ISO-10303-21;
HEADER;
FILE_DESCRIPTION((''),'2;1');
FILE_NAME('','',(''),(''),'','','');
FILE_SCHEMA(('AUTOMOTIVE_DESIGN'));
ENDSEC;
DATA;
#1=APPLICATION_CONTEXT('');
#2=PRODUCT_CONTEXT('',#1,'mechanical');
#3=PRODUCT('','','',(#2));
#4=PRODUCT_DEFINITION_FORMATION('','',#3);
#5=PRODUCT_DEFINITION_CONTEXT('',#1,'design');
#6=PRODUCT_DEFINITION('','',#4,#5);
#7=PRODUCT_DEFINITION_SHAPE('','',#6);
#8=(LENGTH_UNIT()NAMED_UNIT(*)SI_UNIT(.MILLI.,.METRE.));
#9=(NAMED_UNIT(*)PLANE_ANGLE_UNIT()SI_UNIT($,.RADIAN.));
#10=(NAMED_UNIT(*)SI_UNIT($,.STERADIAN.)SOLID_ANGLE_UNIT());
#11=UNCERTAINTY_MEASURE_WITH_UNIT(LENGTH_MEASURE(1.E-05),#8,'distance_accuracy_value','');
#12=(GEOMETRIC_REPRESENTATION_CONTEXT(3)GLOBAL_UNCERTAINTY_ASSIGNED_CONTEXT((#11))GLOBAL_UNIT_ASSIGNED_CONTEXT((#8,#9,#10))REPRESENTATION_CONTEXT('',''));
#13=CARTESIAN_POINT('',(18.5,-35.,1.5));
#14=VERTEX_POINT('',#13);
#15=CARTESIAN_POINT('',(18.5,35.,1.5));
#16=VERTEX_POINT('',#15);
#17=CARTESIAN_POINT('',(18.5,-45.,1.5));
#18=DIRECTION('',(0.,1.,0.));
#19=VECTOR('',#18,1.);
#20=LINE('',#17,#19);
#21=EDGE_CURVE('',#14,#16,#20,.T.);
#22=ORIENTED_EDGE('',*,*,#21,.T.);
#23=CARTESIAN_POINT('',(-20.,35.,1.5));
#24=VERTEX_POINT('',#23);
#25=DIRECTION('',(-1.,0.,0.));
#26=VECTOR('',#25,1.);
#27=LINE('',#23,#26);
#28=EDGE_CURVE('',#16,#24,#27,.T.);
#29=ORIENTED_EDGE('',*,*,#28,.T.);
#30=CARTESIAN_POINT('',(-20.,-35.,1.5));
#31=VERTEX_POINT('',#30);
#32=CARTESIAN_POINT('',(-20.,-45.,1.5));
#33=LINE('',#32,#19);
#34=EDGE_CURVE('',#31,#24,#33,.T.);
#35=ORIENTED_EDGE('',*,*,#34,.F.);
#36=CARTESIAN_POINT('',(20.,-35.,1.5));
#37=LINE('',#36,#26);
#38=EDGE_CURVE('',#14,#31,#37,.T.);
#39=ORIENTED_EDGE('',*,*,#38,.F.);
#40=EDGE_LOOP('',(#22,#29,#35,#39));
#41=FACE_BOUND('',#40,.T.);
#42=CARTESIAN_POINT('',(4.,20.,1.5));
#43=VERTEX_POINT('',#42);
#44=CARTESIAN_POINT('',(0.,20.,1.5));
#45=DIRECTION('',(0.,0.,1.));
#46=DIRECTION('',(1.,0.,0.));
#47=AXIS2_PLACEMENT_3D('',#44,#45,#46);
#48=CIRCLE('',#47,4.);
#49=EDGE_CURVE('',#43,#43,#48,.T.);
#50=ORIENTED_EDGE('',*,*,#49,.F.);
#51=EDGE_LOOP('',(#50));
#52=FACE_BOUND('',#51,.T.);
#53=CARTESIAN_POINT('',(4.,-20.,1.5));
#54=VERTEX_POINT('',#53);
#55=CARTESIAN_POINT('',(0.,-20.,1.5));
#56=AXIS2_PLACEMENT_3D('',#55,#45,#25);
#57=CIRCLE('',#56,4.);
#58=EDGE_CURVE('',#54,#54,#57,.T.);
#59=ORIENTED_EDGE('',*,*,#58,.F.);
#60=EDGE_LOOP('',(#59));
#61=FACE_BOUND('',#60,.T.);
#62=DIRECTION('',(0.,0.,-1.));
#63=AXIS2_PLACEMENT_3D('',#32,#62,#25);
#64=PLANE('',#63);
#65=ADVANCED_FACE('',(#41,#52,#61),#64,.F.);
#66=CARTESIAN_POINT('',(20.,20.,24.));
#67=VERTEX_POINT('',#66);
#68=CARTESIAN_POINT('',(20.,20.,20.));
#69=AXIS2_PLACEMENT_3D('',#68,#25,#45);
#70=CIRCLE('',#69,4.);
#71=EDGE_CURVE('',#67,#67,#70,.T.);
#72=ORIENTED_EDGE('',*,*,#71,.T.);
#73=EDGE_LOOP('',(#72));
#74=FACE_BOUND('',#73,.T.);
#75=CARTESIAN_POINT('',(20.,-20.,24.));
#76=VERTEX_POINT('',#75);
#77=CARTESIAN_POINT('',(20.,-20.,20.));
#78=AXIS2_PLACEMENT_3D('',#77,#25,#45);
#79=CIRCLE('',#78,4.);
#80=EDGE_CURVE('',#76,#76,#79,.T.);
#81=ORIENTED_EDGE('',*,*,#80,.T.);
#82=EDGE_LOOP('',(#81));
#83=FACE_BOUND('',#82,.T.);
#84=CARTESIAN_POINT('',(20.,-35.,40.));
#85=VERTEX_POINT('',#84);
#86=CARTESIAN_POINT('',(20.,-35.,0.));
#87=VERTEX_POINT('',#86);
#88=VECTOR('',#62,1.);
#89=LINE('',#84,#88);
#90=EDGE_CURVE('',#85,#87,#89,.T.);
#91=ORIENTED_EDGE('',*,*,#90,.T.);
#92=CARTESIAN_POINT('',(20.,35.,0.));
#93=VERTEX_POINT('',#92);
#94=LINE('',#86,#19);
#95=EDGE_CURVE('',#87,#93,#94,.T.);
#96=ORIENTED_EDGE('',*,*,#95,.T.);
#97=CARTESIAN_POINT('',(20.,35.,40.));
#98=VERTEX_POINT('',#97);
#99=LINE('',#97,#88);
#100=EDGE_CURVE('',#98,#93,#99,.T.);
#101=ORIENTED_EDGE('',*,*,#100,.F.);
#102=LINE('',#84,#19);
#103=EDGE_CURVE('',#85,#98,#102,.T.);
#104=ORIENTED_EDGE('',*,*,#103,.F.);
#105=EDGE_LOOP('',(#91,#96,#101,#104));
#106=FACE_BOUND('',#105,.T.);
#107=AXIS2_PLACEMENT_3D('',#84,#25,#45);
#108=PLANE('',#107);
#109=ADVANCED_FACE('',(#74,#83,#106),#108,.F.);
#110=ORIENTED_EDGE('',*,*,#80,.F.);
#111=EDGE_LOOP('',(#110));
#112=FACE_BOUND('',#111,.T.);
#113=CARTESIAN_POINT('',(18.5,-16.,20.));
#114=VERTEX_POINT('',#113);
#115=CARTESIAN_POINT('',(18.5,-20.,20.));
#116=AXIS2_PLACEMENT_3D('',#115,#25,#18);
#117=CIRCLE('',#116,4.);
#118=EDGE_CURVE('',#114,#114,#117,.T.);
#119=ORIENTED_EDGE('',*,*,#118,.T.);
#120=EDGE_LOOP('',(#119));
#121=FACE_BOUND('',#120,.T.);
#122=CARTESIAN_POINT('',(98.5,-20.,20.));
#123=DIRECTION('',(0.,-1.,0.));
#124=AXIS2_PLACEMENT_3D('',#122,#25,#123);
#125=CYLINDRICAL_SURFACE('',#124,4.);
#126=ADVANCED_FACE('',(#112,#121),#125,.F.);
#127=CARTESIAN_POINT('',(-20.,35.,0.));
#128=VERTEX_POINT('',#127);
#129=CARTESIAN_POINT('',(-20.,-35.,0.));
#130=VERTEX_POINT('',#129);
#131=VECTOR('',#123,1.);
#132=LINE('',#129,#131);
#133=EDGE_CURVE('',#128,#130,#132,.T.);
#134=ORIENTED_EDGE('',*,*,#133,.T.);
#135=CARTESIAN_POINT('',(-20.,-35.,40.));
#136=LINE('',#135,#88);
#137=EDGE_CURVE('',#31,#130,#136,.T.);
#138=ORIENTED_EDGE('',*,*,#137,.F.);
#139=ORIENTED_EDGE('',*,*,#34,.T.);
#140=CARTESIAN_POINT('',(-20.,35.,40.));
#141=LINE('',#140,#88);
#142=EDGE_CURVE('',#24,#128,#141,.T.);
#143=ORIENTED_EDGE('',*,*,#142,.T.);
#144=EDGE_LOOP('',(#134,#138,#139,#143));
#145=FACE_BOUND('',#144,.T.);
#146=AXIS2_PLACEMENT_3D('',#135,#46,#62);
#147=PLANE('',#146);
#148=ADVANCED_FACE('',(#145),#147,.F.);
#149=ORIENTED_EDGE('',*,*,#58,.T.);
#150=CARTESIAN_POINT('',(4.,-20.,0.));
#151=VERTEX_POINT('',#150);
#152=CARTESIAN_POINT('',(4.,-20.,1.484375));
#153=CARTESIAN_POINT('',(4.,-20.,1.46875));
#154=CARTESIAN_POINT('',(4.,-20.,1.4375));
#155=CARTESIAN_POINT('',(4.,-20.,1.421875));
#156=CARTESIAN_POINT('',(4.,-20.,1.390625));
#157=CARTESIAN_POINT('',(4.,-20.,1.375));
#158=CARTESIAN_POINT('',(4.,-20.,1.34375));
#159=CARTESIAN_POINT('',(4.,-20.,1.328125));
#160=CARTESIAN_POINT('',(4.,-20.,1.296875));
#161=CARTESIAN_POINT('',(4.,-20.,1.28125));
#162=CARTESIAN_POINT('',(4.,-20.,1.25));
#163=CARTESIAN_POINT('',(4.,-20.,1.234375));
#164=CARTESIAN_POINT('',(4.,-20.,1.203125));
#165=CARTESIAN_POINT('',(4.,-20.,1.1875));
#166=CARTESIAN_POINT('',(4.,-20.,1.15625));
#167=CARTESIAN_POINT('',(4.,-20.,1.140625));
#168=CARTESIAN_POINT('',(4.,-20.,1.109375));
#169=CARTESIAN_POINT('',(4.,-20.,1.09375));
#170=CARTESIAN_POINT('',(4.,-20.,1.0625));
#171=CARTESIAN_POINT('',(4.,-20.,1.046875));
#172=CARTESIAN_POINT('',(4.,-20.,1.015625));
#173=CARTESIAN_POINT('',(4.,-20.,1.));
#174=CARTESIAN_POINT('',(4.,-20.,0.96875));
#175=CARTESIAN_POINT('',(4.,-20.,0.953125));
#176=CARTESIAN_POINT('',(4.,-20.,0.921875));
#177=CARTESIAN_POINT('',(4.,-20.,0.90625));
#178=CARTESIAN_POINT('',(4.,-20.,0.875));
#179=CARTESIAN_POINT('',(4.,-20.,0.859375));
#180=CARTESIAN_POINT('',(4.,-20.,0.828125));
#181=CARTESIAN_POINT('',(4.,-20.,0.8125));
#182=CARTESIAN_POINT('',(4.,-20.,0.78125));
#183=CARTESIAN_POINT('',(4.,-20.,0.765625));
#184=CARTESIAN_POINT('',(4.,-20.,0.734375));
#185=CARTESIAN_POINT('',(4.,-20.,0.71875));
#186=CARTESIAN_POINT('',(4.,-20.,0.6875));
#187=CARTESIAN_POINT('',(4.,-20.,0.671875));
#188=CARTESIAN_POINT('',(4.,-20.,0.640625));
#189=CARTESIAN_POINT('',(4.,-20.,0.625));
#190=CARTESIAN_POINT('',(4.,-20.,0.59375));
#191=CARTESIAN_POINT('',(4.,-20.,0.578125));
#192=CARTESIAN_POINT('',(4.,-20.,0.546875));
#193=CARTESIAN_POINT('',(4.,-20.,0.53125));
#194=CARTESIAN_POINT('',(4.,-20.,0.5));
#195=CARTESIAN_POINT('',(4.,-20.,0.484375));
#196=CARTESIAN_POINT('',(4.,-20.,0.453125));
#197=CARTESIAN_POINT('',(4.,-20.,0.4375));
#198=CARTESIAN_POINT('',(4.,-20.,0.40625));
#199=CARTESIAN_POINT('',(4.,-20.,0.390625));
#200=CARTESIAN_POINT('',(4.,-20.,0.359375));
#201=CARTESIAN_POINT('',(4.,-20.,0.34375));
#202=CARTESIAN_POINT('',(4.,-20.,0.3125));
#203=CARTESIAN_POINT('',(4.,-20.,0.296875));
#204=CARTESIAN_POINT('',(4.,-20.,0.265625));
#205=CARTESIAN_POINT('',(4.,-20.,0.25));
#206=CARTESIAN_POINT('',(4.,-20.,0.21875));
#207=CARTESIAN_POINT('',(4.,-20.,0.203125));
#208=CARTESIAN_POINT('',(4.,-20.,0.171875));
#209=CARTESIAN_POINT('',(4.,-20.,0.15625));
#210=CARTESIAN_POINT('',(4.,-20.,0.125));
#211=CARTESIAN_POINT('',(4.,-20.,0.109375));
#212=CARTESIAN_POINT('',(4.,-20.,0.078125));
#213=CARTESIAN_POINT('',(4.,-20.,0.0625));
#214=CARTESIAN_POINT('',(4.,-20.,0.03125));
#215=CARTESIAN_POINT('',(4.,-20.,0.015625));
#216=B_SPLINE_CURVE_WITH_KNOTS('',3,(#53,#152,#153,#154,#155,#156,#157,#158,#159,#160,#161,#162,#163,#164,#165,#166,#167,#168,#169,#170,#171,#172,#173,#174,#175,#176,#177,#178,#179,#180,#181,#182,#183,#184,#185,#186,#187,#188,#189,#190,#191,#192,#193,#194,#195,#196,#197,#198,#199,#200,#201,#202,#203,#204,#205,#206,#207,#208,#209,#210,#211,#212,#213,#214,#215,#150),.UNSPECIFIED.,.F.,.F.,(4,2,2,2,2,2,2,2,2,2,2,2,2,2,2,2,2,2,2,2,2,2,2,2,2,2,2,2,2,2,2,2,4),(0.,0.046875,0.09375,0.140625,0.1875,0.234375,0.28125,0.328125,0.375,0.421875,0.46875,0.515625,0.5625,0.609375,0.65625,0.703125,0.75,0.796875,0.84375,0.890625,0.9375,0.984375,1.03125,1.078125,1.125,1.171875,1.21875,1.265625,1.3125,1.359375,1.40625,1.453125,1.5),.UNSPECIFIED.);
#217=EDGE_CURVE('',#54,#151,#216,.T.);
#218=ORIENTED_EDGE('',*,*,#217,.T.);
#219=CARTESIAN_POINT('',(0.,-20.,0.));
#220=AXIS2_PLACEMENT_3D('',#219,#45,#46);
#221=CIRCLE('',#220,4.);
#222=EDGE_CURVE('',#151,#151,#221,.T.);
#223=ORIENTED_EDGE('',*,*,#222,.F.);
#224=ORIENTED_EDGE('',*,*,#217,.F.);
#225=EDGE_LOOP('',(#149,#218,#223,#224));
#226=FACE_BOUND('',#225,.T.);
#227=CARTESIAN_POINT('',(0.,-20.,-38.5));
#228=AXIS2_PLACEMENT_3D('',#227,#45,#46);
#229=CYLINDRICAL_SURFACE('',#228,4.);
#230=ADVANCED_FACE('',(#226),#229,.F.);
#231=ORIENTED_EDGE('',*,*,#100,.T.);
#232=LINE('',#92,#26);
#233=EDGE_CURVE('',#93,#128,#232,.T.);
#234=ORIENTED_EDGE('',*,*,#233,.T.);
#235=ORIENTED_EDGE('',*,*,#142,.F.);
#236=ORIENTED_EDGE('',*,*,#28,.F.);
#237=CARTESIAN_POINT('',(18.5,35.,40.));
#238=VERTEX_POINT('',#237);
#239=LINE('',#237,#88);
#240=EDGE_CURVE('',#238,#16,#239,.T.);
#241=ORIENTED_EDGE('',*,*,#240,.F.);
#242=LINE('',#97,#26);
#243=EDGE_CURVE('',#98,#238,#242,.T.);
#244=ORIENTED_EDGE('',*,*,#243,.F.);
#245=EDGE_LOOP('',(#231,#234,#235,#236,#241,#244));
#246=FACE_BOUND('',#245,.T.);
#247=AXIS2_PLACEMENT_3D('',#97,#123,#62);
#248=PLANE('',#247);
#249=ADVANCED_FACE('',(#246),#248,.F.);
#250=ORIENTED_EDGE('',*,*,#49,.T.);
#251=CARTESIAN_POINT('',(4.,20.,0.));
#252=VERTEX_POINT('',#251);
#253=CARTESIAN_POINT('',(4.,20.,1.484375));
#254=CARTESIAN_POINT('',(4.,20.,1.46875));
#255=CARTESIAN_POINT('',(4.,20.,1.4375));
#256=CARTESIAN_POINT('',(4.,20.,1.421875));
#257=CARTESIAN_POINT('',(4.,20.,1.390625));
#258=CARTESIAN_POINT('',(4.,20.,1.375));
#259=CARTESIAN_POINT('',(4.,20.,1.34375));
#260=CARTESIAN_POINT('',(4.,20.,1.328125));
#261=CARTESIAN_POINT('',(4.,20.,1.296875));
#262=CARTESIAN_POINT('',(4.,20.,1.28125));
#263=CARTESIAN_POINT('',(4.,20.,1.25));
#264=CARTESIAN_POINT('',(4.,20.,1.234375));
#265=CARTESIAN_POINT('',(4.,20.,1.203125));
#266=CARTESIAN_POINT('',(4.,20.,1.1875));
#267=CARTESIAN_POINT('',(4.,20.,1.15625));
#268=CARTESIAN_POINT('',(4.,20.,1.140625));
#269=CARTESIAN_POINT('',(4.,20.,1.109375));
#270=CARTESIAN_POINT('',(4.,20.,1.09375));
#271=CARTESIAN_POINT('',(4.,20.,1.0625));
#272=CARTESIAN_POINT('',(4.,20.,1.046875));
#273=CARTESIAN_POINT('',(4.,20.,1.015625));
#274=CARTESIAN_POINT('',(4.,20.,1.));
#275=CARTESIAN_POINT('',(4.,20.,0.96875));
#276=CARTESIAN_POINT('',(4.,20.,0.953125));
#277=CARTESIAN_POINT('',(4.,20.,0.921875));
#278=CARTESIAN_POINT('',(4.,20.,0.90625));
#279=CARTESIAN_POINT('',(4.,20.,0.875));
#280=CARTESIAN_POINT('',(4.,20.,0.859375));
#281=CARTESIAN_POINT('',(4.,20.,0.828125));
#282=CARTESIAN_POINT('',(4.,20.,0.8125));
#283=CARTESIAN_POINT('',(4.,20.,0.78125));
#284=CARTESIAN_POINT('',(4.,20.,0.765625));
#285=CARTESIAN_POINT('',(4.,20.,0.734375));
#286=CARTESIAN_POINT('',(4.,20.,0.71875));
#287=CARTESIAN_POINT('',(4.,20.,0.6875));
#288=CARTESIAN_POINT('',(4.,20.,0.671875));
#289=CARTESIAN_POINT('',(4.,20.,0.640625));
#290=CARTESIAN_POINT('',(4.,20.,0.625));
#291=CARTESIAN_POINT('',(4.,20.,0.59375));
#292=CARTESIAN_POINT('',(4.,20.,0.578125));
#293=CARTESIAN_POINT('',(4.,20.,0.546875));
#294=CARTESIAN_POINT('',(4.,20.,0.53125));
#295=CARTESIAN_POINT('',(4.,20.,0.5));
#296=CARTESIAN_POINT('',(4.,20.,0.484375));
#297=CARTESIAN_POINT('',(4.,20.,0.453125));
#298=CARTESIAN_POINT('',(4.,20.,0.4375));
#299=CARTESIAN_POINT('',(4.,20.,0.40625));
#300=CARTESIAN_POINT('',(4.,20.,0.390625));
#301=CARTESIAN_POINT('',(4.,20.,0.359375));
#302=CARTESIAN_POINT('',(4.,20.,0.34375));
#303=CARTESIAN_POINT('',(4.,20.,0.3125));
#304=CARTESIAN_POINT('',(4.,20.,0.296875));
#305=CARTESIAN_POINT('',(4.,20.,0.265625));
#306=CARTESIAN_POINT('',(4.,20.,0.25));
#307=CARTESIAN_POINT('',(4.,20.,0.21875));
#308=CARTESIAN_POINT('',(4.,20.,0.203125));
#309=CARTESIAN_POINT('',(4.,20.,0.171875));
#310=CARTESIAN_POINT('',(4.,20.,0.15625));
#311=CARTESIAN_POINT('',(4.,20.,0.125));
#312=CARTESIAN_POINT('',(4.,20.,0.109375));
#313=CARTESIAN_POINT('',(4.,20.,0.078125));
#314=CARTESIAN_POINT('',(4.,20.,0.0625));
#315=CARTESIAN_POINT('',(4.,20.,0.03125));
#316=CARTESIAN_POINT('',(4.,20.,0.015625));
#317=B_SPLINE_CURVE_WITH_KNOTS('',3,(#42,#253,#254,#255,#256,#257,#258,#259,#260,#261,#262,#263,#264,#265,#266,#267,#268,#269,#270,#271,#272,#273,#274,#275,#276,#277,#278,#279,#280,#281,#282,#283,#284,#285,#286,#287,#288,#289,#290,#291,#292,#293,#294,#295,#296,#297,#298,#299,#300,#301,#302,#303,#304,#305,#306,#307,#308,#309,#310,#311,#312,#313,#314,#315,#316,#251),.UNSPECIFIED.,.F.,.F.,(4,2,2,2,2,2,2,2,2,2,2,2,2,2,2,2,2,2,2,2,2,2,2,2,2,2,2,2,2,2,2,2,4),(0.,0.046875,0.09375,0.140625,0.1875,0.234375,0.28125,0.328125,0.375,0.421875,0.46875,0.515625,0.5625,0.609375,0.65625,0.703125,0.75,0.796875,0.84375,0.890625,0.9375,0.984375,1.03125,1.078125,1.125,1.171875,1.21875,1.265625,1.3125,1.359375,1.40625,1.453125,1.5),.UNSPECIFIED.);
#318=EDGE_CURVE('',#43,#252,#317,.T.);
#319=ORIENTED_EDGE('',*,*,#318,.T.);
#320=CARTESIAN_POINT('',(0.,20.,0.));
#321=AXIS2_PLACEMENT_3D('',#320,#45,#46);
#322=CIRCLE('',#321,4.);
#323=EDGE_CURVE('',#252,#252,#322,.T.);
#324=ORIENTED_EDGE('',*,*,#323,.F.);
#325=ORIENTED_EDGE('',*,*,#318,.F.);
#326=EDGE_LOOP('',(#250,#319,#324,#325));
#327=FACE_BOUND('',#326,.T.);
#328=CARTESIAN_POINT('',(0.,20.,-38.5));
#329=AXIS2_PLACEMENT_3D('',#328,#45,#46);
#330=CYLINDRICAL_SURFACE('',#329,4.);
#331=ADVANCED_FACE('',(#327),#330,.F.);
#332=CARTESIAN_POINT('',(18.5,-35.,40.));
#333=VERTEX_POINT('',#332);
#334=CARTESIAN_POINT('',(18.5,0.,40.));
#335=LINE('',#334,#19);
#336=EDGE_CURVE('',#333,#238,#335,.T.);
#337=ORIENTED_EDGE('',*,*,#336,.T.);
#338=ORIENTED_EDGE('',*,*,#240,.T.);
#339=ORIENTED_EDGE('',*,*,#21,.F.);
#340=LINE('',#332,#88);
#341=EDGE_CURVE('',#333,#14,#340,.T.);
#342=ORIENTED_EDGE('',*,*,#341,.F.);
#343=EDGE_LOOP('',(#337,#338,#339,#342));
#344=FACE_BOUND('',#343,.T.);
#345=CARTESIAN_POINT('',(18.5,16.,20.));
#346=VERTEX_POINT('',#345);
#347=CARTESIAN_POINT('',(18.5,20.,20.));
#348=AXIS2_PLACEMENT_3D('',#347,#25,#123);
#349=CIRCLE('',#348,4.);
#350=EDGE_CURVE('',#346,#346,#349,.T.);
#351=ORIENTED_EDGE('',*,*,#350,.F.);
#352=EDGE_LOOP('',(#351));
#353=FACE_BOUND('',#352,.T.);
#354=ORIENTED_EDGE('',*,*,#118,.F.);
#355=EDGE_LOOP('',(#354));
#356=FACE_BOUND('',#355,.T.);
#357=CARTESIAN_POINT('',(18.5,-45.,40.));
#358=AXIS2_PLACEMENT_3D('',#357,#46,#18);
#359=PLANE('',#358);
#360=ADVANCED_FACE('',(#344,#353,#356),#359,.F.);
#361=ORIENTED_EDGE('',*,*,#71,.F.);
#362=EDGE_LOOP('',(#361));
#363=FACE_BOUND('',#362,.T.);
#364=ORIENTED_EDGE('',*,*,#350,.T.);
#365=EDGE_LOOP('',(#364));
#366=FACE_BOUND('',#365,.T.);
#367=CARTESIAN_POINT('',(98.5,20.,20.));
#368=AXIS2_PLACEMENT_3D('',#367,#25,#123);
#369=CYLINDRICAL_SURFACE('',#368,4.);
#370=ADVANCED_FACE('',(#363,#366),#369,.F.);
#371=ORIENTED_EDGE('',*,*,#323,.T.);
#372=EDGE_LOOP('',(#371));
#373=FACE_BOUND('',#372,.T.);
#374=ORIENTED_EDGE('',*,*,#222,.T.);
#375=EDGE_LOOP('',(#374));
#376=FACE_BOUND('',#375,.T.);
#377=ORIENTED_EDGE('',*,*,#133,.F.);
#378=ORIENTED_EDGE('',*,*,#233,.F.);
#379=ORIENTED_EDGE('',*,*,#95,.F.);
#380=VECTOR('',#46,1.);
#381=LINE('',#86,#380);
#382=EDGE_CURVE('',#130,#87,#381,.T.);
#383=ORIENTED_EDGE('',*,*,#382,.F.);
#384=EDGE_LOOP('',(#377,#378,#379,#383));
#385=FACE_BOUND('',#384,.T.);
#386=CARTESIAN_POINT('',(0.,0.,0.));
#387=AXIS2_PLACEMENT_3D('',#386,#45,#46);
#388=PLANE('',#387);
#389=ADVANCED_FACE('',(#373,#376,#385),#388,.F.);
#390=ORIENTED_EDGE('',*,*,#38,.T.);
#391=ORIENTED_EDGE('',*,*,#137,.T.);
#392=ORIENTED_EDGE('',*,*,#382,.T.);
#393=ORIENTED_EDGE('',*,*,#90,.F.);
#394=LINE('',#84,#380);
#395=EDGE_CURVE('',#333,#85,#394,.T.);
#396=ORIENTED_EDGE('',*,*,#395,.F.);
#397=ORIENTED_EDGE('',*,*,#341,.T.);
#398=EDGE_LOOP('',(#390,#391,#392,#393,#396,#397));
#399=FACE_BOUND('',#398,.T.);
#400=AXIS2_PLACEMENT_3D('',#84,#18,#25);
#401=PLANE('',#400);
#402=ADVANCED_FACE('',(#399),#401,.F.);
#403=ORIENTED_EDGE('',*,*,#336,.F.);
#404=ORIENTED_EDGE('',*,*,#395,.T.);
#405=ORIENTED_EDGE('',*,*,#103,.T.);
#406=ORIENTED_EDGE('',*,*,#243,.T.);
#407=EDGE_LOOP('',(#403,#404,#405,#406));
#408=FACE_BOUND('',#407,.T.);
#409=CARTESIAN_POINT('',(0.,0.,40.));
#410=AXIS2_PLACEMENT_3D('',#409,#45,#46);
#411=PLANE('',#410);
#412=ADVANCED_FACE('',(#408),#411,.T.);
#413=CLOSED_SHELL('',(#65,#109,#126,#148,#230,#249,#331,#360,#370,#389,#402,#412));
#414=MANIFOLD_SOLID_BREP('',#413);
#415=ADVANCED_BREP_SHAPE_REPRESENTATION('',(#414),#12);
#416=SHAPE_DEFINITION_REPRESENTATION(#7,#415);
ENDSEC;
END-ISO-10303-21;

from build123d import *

# Parameters (mm, degrees)
SZKIC1_W                    = 40
SZKIC1_H                    = 70
DODANIE_WYCI_GNI_CIE1_DEPTH = 40
SZKIC2_W                    = 38.5
SZKIC2_H                    = 38.5
WYTNIJ_WYCI_GNI_CIE1_DEPTH  = 80
SZKIC3_R                    = 4
WYTNIJ_WYCI_GNI_CIE2_DEPTH  = 80
SZKIC11_R                   = 4
WYTNIJ_WYCI_GNI_CIE3_DEPTH  = 40


with BuildPart() as part:
    # Szkic1 → Dodanie-wyciągnięcie1 (new body)
    with BuildSketch(Plane.XY):
        Rectangle(SZKIC1_W, SZKIC1_H)
    extrude(amount=DODANIE_WYCI_GNI_CIE1_DEPTH)

    # Szkic2 → Wytnij-wyciągnięcie1 (cut)
    with BuildSketch(Plane(origin=(0, 35, 0), x_dir=(1, 0, 0), z_dir=(0, 1, 0))):
        with Locations((-0.75, -20.75)):
            Rectangle(SZKIC2_W, SZKIC2_H)
    extrude(amount=-WYTNIJ_WYCI_GNI_CIE1_DEPTH, mode=Mode.SUBTRACT)

    # Szkic3 → Wytnij-wyciągnięcie2 (cut)
    with BuildSketch(Plane.ZY.offset(-18.5)):
        with Locations(Location((20, 20, 0), (0, 0, 270))):
            Circle(SZKIC3_R)
        with Locations((20, -20)):
            Circle(SZKIC3_R)
    extrude(amount=-WYTNIJ_WYCI_GNI_CIE2_DEPTH, mode=Mode.SUBTRACT)

    # Szkic11 → Wytnij-wyciągnięcie3 (cut)
    with BuildSketch(Plane.XY.offset(1.5)):
        with Locations((0, 20)):
            Circle(SZKIC11_R)
        with Locations((0, -20)):
            Circle(SZKIC11_R)
    extrude(amount=-WYTNIJ_WYCI_GNI_CIE3_DEPTH, mode=Mode.SUBTRACT)


solid = part.part
